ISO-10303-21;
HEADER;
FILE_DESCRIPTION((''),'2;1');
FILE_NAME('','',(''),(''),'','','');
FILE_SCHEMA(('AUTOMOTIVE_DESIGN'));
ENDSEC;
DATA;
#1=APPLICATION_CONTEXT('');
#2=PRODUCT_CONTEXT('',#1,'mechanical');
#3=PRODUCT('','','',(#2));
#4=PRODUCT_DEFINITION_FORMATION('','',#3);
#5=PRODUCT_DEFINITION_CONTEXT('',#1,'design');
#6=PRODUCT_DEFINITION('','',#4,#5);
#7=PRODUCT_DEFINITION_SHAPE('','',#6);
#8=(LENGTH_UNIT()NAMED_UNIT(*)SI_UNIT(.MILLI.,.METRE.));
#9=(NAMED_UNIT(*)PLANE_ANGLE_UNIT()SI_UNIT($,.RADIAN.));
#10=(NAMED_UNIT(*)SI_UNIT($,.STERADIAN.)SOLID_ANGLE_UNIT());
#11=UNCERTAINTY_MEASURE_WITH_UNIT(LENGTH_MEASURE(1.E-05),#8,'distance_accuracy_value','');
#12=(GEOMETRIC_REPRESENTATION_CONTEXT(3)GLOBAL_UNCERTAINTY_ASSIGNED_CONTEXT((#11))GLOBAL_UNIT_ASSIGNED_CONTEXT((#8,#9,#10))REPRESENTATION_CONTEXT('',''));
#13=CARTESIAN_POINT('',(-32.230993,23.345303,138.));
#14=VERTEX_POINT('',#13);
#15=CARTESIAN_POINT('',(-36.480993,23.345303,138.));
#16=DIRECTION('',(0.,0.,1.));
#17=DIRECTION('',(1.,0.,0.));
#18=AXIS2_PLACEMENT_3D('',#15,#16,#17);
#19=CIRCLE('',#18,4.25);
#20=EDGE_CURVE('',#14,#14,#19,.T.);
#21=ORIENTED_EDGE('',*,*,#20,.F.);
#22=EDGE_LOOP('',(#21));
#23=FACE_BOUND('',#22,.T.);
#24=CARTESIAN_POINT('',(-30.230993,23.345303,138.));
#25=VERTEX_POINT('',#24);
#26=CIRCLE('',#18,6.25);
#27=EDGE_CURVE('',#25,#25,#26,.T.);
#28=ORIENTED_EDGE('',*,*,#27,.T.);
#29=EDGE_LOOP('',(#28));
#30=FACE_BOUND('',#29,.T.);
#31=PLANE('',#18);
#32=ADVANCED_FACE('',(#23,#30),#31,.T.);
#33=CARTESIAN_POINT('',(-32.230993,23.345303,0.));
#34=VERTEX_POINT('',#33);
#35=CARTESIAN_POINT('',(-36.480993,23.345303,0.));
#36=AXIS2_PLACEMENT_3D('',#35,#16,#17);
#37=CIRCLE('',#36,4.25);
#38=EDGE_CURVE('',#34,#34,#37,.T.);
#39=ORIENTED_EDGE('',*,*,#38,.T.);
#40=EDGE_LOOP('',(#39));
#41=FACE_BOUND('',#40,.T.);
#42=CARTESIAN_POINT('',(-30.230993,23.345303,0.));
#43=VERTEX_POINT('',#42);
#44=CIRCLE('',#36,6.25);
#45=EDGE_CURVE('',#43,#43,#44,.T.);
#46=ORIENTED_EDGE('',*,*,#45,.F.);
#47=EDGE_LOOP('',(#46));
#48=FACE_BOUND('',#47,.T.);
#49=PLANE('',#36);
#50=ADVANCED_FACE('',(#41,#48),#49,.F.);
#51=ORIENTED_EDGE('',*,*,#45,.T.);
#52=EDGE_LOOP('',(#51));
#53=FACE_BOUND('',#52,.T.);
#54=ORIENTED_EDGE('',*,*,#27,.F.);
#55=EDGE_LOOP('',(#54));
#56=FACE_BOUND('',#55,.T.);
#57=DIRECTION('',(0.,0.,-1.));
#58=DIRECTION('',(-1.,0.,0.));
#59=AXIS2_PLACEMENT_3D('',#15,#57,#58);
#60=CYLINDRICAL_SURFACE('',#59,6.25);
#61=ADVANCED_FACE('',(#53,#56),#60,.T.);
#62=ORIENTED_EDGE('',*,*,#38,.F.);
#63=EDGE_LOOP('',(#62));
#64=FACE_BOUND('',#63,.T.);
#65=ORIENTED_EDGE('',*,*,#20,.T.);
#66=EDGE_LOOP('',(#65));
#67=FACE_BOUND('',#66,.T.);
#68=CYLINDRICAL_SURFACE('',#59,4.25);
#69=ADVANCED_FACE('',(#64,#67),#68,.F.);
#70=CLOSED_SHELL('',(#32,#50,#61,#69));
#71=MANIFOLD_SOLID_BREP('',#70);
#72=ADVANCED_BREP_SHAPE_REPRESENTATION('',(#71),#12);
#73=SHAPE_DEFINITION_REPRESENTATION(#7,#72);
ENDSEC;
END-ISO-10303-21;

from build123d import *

# Parameters (mm, degrees)
SKETCH2_R           = 6.25
SKETCH2_R_2         = 4.25
BOSS_EXTRUDE1_DEPTH = 138


with BuildPart() as part:
    # Sketch2 → Boss-Extrude1 (new body)
    with BuildSketch(Plane.XY):
        with Locations((-36.480993275, 23.345303087)):
            Circle(SKETCH2_R)
        with Locations((-36.480993275, 23.345303087)):
            Circle(SKETCH2_R_2, mode=Mode.SUBTRACT)
    extrude(amount=BOSS_EXTRUDE1_DEPTH)


solid = part.part
